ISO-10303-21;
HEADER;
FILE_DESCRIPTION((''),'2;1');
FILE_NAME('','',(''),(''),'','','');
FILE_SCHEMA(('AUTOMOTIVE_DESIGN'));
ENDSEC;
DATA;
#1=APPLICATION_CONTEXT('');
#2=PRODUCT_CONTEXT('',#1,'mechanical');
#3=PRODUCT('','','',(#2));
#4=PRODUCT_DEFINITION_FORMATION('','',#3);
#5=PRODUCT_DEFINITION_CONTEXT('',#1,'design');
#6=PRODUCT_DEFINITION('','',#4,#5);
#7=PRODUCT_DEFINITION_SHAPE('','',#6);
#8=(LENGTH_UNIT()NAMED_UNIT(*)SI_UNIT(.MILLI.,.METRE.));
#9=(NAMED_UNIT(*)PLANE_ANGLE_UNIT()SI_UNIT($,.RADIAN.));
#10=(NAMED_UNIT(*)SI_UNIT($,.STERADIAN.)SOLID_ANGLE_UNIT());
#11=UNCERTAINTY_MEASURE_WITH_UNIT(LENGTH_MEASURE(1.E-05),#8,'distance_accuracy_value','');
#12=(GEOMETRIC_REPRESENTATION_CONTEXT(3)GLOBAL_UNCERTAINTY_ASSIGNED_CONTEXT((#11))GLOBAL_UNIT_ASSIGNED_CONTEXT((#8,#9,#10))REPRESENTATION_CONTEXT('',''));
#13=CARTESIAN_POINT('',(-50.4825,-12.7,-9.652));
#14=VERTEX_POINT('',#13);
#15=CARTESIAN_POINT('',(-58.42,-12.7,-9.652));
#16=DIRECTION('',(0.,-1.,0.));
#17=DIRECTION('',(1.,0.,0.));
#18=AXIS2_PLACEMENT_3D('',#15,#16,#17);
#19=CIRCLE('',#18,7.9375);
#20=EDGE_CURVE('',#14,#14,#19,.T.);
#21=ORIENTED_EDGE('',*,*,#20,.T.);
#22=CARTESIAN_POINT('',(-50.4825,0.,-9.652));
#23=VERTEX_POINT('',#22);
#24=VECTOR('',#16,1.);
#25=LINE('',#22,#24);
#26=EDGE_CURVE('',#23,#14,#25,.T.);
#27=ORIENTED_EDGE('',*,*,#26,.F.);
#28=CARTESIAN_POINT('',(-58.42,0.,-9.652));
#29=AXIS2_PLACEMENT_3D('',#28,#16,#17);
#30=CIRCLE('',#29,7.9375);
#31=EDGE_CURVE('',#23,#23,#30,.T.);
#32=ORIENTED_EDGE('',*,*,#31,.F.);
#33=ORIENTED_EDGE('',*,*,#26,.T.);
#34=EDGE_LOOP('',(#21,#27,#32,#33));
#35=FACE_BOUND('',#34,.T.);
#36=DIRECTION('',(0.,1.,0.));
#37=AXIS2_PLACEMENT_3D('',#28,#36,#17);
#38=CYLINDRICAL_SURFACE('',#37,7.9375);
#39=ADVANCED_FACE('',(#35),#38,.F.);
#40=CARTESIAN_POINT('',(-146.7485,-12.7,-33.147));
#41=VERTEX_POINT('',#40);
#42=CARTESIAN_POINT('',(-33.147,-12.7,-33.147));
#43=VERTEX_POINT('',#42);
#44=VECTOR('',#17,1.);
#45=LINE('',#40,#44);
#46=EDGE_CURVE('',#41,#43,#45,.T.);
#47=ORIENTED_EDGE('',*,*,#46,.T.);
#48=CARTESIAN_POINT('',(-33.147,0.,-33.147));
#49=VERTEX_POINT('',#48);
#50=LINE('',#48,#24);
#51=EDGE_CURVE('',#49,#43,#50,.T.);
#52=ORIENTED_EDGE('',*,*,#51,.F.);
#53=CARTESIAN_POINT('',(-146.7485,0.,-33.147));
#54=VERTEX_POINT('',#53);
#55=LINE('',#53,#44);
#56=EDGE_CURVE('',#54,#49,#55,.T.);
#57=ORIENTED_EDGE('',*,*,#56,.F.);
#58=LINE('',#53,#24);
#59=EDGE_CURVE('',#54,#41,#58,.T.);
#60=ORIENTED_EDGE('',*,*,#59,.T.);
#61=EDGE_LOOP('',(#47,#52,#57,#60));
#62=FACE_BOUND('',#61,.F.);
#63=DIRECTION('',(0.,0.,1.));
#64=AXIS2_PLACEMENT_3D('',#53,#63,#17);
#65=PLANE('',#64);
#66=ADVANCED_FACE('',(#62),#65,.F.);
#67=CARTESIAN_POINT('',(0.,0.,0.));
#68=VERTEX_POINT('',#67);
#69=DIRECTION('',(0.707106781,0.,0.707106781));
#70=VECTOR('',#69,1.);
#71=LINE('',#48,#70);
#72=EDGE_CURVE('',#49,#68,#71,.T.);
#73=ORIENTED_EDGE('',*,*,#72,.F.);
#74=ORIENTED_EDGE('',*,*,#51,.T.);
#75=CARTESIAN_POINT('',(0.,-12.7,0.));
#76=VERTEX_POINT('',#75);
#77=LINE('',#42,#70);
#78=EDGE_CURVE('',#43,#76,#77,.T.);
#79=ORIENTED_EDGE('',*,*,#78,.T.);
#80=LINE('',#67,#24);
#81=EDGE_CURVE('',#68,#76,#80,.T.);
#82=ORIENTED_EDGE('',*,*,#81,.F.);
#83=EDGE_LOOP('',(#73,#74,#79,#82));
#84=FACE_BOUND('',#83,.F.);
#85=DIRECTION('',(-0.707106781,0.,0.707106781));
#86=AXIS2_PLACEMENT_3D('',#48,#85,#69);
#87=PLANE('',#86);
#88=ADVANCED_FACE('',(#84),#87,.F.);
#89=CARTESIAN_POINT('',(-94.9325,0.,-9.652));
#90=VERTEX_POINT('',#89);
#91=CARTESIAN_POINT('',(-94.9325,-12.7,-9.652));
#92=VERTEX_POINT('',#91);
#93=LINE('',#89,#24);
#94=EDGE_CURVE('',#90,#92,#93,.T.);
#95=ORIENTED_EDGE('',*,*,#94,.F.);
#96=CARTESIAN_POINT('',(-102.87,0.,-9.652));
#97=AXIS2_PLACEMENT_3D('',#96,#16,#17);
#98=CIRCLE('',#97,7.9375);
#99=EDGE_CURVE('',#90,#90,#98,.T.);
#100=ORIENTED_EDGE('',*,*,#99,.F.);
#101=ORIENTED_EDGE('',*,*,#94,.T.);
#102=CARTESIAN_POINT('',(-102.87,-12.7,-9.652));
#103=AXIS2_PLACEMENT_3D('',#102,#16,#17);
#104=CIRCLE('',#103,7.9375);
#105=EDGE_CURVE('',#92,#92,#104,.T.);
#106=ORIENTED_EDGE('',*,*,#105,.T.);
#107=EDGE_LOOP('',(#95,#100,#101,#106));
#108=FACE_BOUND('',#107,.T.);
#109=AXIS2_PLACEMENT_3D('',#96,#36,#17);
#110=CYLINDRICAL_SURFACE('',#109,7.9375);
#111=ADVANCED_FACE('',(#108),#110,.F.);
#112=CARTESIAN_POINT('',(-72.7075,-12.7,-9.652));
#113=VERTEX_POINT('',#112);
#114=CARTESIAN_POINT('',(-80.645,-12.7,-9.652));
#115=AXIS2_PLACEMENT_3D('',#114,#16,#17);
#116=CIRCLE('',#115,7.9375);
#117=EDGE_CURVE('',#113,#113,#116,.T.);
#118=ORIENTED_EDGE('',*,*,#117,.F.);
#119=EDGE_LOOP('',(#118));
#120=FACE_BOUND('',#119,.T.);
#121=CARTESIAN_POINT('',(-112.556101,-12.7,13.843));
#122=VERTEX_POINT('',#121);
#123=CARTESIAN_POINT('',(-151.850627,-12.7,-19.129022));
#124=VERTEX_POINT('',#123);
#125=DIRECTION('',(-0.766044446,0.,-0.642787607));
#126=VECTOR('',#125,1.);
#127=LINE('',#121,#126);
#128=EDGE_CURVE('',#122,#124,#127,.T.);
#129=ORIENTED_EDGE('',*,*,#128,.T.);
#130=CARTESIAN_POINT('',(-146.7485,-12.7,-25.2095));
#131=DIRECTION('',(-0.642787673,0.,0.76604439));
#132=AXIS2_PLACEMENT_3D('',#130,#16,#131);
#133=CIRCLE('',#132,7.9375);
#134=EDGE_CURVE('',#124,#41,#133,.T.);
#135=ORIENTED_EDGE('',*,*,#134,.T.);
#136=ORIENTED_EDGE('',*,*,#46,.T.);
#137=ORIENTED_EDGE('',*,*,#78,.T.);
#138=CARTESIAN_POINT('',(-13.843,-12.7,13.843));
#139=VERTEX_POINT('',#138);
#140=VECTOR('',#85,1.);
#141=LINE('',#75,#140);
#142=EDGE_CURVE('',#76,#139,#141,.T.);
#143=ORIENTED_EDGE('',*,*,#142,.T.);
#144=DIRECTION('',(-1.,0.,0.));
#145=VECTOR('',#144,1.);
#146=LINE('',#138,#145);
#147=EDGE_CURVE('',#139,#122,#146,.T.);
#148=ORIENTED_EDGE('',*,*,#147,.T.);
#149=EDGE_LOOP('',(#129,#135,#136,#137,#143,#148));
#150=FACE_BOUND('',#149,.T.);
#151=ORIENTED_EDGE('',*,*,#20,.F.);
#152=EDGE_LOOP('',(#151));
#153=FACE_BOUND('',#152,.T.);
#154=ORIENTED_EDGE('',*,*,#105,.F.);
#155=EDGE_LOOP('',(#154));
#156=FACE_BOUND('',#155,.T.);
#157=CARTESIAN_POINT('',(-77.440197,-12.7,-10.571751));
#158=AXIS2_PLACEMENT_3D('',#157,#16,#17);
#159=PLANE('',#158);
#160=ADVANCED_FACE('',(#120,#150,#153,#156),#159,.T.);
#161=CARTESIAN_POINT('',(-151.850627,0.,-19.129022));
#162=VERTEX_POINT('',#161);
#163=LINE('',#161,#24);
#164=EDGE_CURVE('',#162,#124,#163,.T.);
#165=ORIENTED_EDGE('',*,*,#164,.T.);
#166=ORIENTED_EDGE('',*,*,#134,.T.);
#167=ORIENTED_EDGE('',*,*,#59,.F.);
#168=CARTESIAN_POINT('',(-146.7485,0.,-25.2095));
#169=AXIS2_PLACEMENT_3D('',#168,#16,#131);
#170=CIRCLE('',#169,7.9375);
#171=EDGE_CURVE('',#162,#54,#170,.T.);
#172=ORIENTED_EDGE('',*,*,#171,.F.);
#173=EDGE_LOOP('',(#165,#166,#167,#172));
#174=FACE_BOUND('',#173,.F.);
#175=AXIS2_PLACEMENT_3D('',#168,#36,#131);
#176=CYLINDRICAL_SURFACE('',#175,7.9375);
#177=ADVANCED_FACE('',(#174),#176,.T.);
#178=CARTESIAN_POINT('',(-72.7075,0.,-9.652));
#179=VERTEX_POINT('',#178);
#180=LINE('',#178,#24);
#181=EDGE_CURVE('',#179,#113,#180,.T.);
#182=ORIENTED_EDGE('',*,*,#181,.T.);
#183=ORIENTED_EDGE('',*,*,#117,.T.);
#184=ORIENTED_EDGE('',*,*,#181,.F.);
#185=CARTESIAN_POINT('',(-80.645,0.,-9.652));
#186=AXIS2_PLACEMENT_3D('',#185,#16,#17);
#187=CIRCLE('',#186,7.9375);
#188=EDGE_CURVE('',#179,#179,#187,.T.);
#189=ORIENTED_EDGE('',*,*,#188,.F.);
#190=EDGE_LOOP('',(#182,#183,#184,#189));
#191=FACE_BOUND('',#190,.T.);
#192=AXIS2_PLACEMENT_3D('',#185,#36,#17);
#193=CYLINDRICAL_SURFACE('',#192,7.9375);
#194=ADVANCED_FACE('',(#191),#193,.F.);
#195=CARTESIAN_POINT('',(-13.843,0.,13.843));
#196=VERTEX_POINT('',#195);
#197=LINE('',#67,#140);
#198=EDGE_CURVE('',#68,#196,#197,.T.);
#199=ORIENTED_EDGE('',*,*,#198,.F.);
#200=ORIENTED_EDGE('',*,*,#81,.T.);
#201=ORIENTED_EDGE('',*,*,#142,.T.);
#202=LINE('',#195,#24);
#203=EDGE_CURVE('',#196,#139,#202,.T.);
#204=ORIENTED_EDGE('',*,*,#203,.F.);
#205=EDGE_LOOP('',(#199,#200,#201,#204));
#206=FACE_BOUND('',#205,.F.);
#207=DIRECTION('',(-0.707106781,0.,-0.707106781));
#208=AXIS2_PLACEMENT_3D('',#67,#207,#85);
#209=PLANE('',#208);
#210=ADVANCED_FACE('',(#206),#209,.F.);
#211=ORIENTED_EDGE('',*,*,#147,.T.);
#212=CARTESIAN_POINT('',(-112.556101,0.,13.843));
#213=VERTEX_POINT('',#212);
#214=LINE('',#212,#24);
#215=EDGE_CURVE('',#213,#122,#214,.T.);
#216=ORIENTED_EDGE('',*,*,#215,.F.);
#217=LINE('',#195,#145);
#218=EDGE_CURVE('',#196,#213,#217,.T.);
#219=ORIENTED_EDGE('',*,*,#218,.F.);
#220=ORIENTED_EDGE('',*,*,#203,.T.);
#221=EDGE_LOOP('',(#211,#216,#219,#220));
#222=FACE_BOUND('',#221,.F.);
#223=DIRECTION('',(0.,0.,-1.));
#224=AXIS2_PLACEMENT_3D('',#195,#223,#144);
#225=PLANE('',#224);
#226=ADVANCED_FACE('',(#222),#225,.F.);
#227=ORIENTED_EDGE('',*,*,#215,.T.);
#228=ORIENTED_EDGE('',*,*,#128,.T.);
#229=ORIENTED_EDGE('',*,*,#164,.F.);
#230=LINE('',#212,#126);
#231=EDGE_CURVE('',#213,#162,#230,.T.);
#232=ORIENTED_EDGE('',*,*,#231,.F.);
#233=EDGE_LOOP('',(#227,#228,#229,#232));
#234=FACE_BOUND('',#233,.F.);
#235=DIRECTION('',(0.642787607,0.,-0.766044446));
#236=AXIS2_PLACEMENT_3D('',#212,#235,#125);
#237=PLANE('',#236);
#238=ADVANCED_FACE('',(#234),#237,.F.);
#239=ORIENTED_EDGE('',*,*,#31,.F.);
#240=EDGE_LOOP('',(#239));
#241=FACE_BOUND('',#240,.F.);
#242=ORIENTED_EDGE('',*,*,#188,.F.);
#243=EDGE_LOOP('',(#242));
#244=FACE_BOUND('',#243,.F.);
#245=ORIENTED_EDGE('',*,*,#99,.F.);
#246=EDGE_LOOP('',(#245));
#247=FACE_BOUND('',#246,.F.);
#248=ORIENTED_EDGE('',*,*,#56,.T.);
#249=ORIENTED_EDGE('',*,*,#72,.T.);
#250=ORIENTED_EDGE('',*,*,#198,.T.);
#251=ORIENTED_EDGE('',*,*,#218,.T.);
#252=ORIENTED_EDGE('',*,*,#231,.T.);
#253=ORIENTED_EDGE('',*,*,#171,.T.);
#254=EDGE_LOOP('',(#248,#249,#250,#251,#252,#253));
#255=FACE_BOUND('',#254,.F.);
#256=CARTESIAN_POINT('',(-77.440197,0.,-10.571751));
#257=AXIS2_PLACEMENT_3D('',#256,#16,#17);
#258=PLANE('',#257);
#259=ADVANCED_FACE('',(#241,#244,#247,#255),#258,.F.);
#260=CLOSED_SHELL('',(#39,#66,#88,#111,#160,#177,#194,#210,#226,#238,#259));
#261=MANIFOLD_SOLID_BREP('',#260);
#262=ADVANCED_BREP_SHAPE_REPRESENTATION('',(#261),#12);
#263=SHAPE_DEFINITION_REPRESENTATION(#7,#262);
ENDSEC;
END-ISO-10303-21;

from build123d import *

# Parameters (mm, degrees)
F0_R     = 7.9375
F1_DEPTH = 12.7


with BuildPart() as f1:
    # F0 (on Front) → F1 (new body)
    with BuildSketch(Plane.XZ):
        with BuildLine():
            Line((-33.147, -33.147), (0, 0))
            Line((0, 0), (-13.843, 13.843))
            Line((-13.843, 13.843), (-112.556101, 13.843))
            Line((-112.556101, 13.843), (-151.850627, -19.129022))
            ThreePointArc((-151.850627, -19.129022), (-154.20731, -27.924285), (-146.7485, -33.147))
            Line((-146.7485, -33.147), (-33.147, -33.147))
        make_face()
        with Locations((-102.87, -9.652)):
            Circle(F0_R, mode=Mode.SUBTRACT)
        with Locations((-80.645, -9.652)):
            Circle(F0_R, mode=Mode.SUBTRACT)
        with Locations((-58.42, -9.652)):
            Circle(F0_R, mode=Mode.SUBTRACT)
    extrude(amount=F1_DEPTH)


solid = f1.part
